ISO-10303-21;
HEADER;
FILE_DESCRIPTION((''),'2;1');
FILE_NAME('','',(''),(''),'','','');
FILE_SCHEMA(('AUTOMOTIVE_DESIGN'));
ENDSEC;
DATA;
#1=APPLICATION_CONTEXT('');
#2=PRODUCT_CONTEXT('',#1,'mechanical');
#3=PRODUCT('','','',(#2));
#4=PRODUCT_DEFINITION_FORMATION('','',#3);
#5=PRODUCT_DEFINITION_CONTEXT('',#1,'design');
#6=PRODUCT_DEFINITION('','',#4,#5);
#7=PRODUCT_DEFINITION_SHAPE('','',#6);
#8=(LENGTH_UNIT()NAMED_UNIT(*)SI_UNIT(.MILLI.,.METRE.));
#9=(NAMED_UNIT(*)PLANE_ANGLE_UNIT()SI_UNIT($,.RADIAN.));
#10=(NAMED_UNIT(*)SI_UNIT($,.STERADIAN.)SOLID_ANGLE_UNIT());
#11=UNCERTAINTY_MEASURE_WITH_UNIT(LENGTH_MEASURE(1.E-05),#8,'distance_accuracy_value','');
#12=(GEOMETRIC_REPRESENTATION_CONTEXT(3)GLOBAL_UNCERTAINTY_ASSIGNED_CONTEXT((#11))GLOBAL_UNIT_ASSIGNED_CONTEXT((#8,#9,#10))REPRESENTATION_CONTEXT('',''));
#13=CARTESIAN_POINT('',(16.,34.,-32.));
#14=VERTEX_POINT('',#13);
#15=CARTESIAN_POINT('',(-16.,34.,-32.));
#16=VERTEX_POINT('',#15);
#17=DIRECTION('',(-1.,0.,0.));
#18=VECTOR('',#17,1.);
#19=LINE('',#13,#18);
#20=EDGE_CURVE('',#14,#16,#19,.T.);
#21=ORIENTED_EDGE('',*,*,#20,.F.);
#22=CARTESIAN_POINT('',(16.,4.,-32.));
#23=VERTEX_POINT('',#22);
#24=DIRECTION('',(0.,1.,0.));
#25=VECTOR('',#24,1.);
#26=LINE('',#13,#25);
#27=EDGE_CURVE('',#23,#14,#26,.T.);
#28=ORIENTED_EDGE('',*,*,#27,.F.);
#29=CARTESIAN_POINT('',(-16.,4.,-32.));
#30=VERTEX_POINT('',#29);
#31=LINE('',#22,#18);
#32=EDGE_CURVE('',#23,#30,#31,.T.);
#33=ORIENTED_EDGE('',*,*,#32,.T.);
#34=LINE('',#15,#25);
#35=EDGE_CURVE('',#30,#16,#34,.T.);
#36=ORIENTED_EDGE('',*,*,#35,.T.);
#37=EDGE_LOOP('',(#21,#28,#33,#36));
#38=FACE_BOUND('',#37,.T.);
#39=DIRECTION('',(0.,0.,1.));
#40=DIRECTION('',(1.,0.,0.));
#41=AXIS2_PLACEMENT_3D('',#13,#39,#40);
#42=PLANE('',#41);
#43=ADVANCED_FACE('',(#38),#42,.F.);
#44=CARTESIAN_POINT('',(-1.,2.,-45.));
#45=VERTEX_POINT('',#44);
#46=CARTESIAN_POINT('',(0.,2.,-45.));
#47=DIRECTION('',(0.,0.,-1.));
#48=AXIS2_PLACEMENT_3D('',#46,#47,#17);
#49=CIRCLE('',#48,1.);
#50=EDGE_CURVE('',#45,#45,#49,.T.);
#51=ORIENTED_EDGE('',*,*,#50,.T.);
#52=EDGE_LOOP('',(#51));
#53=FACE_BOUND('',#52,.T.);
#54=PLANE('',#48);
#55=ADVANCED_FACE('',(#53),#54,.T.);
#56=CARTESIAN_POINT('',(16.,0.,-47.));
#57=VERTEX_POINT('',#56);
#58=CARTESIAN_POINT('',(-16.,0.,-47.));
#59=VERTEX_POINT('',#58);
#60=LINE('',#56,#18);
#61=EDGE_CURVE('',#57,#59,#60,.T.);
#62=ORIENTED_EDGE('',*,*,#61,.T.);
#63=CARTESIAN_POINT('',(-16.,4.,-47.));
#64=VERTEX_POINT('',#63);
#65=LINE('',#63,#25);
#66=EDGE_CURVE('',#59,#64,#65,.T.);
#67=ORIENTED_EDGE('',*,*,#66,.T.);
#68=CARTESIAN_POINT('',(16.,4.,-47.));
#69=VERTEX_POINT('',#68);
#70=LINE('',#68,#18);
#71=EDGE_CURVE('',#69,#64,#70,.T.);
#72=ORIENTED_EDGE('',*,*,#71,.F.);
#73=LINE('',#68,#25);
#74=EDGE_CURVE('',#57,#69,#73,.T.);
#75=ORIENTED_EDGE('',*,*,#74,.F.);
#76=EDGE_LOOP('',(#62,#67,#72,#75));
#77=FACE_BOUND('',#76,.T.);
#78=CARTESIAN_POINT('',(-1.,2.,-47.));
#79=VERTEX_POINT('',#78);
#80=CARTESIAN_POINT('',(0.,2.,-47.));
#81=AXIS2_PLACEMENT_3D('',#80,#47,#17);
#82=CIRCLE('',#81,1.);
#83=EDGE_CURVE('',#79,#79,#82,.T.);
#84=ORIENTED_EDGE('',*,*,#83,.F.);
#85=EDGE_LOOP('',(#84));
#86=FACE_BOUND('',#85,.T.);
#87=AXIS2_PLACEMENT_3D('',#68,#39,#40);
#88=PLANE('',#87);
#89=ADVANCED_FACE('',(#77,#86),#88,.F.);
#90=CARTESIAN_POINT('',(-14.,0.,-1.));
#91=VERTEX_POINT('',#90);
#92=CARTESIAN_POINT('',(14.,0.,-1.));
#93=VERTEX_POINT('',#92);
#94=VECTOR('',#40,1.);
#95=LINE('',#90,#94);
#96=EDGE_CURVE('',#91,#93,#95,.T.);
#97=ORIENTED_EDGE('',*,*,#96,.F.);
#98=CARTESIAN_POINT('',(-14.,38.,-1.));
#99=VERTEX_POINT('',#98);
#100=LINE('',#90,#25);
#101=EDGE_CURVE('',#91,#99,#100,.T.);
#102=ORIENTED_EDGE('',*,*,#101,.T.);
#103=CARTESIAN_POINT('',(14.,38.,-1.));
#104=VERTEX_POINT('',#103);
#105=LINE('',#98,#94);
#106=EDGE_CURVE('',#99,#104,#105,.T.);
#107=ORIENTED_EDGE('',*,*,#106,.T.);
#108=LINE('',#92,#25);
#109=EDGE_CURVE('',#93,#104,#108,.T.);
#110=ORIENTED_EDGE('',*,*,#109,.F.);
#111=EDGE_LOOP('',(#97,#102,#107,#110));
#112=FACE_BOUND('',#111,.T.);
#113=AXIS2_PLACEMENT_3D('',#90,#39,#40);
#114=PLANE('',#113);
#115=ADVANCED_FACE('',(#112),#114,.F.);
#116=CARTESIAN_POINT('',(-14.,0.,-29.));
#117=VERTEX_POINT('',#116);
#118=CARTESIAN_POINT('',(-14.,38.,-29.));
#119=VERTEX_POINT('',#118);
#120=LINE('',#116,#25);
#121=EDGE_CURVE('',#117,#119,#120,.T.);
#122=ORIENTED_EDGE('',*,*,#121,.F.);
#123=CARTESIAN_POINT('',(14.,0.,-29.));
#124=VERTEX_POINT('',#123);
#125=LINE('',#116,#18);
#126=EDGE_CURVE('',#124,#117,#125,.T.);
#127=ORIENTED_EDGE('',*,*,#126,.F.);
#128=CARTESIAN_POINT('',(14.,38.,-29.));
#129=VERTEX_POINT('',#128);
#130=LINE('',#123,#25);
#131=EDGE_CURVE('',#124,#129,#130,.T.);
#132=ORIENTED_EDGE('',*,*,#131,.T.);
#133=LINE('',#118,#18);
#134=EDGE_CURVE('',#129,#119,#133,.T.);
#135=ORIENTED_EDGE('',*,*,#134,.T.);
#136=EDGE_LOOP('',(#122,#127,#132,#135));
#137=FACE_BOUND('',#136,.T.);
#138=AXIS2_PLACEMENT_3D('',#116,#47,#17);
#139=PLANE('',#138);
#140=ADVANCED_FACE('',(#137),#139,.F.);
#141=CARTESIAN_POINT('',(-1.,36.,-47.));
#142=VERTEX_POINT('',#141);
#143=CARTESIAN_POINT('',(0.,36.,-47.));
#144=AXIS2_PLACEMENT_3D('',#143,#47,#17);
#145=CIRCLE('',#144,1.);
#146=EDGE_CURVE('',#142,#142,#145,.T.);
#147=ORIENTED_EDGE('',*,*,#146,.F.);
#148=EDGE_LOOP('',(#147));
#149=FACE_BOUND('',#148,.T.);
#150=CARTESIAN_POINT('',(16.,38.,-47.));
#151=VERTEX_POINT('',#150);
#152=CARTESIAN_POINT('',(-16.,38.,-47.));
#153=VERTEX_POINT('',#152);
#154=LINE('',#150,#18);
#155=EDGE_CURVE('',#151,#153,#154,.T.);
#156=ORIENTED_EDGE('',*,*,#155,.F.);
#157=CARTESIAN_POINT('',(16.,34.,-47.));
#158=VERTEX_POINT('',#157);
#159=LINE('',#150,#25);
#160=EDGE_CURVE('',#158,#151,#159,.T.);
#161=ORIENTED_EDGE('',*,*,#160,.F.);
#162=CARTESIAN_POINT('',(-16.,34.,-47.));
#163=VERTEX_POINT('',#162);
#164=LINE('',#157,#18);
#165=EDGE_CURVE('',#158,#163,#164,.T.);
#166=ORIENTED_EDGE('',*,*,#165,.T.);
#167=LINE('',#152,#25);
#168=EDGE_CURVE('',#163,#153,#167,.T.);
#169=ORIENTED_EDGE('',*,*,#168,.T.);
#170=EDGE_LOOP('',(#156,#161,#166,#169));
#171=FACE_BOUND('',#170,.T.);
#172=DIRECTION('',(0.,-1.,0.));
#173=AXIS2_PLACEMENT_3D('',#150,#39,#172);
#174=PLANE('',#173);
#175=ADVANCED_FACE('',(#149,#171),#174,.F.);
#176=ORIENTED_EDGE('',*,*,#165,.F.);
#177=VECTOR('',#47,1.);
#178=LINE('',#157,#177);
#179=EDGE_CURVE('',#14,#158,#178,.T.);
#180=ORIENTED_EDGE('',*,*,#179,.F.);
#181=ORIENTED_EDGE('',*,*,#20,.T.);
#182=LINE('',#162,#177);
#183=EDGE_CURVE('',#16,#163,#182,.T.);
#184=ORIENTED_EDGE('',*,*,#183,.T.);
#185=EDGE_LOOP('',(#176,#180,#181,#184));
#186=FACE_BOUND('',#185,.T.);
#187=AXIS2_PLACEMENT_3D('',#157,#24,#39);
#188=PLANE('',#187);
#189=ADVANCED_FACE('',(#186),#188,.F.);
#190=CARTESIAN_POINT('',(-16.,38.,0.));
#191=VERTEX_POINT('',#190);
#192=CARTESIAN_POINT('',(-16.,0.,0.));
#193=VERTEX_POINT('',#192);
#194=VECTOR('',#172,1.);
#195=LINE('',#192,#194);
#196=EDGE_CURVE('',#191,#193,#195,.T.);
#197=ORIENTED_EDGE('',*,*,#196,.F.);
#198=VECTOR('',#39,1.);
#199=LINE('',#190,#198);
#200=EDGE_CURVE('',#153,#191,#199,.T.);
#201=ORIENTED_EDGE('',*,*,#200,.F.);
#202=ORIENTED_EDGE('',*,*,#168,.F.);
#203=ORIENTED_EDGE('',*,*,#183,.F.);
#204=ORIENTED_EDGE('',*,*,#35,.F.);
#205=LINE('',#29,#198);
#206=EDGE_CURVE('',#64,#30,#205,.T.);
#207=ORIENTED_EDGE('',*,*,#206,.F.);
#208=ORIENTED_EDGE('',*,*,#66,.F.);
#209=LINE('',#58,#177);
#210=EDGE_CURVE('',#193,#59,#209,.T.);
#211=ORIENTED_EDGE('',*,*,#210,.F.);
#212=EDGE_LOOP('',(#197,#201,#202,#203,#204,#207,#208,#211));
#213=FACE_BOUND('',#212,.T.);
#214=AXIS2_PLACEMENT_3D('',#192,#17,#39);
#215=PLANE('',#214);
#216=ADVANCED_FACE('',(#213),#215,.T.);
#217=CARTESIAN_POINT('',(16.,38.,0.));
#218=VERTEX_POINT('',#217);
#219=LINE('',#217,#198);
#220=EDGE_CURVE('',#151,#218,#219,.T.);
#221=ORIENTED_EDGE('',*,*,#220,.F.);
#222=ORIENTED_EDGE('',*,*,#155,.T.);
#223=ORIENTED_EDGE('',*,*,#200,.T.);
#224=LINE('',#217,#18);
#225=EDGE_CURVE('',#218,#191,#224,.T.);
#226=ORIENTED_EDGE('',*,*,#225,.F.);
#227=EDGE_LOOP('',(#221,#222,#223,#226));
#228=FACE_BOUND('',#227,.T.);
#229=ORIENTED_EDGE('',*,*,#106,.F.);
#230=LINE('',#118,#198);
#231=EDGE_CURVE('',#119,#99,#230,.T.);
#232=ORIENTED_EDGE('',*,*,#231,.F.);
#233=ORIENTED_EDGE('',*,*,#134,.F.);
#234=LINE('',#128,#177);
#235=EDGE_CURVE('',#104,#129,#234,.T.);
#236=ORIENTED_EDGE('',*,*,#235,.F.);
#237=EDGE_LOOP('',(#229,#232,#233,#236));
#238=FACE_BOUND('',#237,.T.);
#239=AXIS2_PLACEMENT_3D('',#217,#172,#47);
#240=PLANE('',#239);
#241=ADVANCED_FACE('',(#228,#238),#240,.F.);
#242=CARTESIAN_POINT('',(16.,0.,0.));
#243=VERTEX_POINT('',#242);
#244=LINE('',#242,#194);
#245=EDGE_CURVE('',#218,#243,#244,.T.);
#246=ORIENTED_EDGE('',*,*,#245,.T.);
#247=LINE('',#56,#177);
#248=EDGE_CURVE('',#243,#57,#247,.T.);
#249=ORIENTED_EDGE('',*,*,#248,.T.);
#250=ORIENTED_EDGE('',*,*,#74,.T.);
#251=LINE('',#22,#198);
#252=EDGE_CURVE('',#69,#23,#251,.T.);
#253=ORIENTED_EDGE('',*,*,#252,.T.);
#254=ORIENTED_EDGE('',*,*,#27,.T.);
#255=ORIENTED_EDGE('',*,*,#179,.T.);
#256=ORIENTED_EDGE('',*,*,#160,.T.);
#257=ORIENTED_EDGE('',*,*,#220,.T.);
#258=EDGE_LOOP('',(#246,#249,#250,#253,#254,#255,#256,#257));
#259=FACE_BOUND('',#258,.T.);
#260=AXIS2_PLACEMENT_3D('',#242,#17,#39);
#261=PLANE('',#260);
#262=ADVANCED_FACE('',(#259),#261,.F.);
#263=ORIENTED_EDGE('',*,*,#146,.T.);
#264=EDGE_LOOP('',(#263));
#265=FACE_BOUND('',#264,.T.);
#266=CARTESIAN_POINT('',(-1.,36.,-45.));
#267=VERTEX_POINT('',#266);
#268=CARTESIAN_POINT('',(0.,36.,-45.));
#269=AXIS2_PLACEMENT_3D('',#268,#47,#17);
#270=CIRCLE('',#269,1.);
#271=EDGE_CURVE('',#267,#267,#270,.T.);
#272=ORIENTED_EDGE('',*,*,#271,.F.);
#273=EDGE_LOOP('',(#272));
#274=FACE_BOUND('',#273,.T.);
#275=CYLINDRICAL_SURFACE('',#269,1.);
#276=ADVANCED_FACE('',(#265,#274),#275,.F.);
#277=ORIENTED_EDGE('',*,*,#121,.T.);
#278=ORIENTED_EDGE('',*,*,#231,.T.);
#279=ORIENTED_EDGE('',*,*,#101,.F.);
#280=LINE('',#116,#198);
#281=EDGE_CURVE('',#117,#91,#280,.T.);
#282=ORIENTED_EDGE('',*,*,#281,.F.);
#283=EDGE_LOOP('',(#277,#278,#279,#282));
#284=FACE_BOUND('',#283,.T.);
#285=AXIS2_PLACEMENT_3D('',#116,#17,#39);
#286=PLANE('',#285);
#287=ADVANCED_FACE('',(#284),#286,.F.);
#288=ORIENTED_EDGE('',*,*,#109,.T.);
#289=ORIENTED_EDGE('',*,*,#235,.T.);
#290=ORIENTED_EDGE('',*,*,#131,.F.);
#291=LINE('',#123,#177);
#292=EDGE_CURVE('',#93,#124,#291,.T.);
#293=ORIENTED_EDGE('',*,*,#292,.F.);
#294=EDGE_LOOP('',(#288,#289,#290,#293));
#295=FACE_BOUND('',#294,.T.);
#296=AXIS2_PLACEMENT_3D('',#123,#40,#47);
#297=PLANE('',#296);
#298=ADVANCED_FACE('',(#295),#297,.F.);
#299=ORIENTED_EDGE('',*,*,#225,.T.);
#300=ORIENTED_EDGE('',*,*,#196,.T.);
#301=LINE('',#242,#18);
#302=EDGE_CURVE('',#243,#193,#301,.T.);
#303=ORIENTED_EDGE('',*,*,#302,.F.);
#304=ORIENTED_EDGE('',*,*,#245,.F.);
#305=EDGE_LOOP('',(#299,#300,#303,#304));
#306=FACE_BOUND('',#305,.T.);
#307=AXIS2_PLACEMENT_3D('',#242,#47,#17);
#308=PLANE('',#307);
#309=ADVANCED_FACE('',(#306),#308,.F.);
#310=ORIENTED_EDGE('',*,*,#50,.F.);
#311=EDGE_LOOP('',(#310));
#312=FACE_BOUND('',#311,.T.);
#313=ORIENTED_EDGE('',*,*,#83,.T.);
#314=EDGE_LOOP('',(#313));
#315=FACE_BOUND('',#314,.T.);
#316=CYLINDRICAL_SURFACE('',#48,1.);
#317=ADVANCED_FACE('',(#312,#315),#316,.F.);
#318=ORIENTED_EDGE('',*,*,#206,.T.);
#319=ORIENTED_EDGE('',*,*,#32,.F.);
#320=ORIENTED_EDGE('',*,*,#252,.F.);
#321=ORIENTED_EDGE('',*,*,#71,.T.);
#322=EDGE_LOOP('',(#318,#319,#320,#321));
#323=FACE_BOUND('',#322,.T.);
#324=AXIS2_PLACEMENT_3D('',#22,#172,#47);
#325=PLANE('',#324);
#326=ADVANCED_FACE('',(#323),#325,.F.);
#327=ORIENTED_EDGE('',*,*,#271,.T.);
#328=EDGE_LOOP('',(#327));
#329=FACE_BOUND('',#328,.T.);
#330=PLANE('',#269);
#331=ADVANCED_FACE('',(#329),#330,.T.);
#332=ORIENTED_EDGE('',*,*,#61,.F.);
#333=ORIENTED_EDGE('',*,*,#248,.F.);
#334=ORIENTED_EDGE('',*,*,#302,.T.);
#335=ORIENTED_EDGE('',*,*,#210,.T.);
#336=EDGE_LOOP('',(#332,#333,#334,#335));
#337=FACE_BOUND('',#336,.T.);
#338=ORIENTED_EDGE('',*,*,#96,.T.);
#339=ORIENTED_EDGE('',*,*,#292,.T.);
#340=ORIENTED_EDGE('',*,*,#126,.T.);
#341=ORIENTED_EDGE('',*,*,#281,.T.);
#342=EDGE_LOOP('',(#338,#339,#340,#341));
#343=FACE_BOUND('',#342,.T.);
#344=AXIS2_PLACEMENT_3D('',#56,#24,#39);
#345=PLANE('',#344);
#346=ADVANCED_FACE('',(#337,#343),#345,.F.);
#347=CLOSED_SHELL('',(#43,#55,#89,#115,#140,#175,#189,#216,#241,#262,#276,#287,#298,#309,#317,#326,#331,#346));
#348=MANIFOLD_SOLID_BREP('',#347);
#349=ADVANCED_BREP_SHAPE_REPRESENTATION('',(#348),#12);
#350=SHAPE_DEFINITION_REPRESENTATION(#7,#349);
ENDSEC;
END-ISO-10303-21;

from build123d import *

# Parameters (mm, degrees)
BOSS_EXTRUDE1_DEPTH = 16
SKETCH2_W           = 28
SKETCH2_H           = 28
CUT_EXTRUDE1_DEPTH  = 39
SKETCH3_R           = 1
CUT_EXTRUDE2_DEPTH  = 2


with BuildPart() as part:
    # Sketch1 → Boss-Extrude1 (new body, symmetric)
    with BuildSketch(Plane(origin=(0, 0, 0), x_dir=(0, 0, -1), z_dir=(1, 0, 0))):
        Polygon((0, 0), (0, 38), (47, 38), (47, 34), (32, 34), (32, 4), (47, 4), (47, 0), align=None)
    extrude(amount=BOSS_EXTRUDE1_DEPTH, both=True)

    # Sketch2 → Cut-Extrude1 (cut, through all)
    with BuildSketch(Plane(origin=(0, 38, 0), x_dir=(1, 0, 0), z_dir=(0, 1, 0))):
        with Locations((0, 15)):
            Rectangle(SKETCH2_W, SKETCH2_H)
    extrude(amount=-CUT_EXTRUDE1_DEPTH, mode=Mode.SUBTRACT)

    # Sketch3 → Cut-Extrude2 (cut)
    with BuildSketch(Plane(origin=(0, 0, -47), x_dir=(-1, 0, 0), z_dir=(0, 0, -1))):
        with Locations((0, 36)):
            Circle(SKETCH3_R)
        with Locations((0, 2)):
            Circle(SKETCH3_R)
    extrude(amount=-CUT_EXTRUDE2_DEPTH, mode=Mode.SUBTRACT)


solid = part.part
